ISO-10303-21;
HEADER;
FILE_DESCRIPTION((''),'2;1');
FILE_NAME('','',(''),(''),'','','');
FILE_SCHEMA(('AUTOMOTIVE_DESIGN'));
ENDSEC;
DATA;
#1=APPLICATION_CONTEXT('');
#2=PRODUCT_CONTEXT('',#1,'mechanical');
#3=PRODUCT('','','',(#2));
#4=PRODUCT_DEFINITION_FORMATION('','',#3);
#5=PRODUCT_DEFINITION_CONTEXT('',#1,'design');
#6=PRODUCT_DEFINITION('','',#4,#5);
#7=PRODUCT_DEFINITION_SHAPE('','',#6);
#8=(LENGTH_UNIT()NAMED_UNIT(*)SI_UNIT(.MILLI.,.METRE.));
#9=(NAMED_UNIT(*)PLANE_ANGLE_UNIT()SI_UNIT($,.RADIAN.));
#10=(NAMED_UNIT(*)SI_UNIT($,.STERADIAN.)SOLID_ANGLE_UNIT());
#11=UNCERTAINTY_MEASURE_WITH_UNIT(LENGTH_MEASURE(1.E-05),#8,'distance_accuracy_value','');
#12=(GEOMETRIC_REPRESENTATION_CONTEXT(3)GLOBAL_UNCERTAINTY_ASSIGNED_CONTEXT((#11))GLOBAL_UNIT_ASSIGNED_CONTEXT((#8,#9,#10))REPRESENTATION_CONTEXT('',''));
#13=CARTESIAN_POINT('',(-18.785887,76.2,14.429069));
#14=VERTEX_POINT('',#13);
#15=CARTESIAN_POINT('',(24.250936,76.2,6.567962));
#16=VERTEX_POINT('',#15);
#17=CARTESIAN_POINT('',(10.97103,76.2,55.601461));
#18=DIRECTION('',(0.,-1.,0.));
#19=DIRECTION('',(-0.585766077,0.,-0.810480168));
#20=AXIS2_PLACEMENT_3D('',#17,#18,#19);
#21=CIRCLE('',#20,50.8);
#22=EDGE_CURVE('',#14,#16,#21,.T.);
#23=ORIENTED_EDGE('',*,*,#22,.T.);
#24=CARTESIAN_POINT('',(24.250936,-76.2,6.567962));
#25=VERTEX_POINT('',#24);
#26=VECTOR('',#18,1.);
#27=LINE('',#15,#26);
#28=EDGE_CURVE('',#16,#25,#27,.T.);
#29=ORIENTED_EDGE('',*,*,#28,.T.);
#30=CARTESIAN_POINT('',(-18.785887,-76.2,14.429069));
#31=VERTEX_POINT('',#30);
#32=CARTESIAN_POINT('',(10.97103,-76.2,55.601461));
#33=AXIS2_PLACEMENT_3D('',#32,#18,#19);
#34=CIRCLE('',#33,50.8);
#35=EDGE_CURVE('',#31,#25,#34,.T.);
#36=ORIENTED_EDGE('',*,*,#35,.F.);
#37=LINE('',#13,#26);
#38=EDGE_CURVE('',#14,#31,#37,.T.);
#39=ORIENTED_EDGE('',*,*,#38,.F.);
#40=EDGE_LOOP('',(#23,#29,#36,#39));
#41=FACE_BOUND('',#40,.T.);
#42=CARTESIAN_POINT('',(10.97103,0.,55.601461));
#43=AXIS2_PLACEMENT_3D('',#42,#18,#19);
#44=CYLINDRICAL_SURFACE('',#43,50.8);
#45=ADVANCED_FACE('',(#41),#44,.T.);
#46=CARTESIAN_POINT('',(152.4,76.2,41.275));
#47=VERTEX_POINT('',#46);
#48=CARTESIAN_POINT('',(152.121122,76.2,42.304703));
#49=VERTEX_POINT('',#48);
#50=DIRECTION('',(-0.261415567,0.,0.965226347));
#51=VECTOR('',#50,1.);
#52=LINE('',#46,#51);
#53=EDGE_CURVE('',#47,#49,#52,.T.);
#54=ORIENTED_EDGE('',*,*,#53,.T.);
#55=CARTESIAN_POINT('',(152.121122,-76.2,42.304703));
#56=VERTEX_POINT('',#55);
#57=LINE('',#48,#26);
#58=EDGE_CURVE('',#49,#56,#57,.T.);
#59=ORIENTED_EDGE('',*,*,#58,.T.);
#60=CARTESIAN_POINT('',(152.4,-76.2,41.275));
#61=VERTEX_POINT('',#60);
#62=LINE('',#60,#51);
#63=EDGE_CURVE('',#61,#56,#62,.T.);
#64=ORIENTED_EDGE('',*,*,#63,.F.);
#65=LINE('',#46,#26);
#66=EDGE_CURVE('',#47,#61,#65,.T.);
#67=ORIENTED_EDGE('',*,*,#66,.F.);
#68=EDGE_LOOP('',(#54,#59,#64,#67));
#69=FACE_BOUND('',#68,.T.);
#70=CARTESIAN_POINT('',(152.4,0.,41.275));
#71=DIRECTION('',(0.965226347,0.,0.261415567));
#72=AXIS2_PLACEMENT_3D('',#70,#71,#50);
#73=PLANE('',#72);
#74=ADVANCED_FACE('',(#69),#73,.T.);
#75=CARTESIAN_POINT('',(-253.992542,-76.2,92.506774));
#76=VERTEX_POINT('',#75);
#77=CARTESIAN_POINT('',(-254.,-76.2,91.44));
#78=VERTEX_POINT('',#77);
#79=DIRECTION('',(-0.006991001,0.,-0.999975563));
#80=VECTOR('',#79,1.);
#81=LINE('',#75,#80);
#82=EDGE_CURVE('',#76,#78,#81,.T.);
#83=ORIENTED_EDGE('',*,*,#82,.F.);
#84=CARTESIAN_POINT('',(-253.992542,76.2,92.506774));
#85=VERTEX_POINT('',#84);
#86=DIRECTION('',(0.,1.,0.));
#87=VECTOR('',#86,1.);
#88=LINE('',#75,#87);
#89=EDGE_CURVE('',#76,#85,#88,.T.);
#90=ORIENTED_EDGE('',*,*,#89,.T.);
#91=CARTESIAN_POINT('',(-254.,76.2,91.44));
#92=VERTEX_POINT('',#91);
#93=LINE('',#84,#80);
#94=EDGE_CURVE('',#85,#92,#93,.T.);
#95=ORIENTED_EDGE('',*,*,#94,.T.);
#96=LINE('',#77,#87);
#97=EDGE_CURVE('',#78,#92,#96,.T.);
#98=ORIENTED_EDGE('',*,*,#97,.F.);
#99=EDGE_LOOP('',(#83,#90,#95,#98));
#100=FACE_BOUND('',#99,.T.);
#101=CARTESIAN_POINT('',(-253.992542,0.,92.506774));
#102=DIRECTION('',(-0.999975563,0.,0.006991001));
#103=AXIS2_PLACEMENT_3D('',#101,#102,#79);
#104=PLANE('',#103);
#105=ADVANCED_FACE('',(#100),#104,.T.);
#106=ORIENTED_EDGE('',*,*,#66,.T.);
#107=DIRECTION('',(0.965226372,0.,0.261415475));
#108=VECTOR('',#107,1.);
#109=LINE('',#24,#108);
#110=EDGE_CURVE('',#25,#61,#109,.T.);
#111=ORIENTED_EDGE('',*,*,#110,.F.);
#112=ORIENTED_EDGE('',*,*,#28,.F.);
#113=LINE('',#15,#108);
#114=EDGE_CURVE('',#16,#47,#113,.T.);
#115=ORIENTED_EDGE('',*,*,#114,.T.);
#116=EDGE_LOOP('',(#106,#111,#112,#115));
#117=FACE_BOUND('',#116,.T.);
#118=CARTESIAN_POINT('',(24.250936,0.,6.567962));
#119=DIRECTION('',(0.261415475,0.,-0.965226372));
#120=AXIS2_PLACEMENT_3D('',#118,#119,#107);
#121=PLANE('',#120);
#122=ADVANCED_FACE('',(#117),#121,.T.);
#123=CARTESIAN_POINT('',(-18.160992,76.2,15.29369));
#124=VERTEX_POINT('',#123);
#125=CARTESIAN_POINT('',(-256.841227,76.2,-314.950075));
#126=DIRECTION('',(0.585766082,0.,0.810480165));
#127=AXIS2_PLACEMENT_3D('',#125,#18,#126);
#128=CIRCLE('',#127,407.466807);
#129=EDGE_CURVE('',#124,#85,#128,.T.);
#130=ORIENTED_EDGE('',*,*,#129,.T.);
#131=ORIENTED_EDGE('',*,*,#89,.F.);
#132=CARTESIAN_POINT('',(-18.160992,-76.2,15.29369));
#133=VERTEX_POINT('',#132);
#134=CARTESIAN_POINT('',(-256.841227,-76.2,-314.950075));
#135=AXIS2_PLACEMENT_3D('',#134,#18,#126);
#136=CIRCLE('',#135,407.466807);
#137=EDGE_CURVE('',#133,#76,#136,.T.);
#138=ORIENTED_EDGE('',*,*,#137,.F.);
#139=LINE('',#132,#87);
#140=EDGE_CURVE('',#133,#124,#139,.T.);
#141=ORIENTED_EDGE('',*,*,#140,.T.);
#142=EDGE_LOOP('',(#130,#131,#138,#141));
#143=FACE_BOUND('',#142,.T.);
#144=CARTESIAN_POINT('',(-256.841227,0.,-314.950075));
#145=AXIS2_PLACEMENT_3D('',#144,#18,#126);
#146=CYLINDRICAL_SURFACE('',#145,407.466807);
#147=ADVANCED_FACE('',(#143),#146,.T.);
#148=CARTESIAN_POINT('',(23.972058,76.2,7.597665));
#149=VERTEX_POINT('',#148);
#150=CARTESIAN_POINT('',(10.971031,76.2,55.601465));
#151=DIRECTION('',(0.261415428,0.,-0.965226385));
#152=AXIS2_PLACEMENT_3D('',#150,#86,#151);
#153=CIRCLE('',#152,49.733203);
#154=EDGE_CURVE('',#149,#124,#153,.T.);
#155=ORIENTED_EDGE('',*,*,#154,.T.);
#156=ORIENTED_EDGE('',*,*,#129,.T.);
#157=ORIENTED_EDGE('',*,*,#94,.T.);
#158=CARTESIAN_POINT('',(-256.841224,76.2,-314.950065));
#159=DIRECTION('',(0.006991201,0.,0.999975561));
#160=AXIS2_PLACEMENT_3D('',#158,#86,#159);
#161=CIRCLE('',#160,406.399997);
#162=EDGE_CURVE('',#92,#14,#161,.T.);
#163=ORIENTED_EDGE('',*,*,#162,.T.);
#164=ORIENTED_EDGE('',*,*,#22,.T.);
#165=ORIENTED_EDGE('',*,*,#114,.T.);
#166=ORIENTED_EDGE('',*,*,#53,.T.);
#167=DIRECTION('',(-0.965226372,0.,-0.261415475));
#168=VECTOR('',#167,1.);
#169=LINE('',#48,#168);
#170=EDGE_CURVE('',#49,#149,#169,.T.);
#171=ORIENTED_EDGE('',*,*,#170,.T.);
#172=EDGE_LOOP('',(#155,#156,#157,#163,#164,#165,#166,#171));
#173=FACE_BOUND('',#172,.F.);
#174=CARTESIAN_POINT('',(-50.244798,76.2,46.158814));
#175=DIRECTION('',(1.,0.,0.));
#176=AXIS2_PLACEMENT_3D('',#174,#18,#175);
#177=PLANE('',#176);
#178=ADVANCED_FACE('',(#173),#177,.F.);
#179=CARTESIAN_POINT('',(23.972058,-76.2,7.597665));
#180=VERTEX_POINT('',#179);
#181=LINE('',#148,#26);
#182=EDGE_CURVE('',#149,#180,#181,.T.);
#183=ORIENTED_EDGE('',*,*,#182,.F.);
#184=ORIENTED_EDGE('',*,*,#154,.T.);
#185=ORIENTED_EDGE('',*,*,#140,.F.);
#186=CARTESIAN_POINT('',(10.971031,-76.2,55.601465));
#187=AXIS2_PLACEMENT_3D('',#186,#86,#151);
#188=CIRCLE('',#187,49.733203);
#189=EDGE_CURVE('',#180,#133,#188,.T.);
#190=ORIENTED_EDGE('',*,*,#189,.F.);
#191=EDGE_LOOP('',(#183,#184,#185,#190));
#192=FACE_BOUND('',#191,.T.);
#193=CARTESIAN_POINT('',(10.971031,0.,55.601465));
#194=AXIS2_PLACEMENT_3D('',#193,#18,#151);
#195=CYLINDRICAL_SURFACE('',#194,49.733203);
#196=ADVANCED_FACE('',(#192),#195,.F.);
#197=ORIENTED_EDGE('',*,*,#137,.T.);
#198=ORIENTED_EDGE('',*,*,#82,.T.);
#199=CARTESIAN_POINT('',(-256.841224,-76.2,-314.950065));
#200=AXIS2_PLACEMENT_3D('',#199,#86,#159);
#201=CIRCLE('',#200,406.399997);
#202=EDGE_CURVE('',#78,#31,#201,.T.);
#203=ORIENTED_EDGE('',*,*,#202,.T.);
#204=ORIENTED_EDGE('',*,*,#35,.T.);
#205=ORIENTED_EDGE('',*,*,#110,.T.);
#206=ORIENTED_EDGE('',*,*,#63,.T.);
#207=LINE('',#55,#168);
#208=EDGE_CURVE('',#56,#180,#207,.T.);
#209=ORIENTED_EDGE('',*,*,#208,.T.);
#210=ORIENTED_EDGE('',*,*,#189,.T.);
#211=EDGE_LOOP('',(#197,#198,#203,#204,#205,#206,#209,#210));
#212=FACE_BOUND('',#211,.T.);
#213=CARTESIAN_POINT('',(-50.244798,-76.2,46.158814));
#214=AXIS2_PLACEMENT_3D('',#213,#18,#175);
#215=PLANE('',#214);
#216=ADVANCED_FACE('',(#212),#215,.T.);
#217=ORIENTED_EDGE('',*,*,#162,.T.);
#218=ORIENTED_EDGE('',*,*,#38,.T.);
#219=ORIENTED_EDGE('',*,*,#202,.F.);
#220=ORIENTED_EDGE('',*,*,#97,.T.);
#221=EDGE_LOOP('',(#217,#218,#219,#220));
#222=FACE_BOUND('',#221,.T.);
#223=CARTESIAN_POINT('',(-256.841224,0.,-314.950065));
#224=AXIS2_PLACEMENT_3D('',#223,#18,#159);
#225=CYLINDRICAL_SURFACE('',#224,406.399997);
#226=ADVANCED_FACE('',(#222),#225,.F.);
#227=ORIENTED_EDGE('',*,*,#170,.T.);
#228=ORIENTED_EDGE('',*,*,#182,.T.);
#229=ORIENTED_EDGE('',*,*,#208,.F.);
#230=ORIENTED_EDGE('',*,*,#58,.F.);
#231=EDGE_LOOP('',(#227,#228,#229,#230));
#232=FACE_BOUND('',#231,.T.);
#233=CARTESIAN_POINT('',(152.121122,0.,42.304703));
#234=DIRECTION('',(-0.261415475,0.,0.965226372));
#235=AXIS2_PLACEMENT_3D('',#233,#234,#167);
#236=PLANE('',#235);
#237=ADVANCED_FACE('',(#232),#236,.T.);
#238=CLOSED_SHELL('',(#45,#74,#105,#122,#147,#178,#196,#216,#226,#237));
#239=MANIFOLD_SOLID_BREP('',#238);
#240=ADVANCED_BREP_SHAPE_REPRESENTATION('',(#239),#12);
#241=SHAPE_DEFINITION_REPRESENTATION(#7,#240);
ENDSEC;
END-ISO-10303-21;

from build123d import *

# Parameters (mm, degrees)
F1_DEPTH      = 76.2
F1_DEPTH_BACK = 76.2


with BuildPart() as f1:
    # F0 (on Front) → F1 (new body, two sides)
    with BuildSketch(Plane.XZ) as f1_sk:
        with BuildLine():
            ThreePointArc((-254, 91.44), (-130.387837, 71.275903), (-18.785887, 14.429069))
            ThreePointArc((-18.785887, 14.429069), (1.842929, 5.628291), (24.250936, 6.567962))
            Line((24.250936, 6.567962), (152.4, 41.275))
            Line((152.4, 41.275), (152.121122, 42.304703))
            Line((152.121122, 42.304703), (23.972058, 7.597665))
            ThreePointArc((23.972058, 7.597665), (2.034619, 6.677728), (-18.160992, 15.29369))
            ThreePointArc((-18.160992, 15.29369), (-130.055897, 72.289746), (-253.992542, 92.506774))
            Line((-253.992542, 92.506774), (-254, 91.44))
        make_face()
    extrude(amount=F1_DEPTH)
    extrude(f1_sk.sketch, amount=-F1_DEPTH_BACK)


solid = f1.part
